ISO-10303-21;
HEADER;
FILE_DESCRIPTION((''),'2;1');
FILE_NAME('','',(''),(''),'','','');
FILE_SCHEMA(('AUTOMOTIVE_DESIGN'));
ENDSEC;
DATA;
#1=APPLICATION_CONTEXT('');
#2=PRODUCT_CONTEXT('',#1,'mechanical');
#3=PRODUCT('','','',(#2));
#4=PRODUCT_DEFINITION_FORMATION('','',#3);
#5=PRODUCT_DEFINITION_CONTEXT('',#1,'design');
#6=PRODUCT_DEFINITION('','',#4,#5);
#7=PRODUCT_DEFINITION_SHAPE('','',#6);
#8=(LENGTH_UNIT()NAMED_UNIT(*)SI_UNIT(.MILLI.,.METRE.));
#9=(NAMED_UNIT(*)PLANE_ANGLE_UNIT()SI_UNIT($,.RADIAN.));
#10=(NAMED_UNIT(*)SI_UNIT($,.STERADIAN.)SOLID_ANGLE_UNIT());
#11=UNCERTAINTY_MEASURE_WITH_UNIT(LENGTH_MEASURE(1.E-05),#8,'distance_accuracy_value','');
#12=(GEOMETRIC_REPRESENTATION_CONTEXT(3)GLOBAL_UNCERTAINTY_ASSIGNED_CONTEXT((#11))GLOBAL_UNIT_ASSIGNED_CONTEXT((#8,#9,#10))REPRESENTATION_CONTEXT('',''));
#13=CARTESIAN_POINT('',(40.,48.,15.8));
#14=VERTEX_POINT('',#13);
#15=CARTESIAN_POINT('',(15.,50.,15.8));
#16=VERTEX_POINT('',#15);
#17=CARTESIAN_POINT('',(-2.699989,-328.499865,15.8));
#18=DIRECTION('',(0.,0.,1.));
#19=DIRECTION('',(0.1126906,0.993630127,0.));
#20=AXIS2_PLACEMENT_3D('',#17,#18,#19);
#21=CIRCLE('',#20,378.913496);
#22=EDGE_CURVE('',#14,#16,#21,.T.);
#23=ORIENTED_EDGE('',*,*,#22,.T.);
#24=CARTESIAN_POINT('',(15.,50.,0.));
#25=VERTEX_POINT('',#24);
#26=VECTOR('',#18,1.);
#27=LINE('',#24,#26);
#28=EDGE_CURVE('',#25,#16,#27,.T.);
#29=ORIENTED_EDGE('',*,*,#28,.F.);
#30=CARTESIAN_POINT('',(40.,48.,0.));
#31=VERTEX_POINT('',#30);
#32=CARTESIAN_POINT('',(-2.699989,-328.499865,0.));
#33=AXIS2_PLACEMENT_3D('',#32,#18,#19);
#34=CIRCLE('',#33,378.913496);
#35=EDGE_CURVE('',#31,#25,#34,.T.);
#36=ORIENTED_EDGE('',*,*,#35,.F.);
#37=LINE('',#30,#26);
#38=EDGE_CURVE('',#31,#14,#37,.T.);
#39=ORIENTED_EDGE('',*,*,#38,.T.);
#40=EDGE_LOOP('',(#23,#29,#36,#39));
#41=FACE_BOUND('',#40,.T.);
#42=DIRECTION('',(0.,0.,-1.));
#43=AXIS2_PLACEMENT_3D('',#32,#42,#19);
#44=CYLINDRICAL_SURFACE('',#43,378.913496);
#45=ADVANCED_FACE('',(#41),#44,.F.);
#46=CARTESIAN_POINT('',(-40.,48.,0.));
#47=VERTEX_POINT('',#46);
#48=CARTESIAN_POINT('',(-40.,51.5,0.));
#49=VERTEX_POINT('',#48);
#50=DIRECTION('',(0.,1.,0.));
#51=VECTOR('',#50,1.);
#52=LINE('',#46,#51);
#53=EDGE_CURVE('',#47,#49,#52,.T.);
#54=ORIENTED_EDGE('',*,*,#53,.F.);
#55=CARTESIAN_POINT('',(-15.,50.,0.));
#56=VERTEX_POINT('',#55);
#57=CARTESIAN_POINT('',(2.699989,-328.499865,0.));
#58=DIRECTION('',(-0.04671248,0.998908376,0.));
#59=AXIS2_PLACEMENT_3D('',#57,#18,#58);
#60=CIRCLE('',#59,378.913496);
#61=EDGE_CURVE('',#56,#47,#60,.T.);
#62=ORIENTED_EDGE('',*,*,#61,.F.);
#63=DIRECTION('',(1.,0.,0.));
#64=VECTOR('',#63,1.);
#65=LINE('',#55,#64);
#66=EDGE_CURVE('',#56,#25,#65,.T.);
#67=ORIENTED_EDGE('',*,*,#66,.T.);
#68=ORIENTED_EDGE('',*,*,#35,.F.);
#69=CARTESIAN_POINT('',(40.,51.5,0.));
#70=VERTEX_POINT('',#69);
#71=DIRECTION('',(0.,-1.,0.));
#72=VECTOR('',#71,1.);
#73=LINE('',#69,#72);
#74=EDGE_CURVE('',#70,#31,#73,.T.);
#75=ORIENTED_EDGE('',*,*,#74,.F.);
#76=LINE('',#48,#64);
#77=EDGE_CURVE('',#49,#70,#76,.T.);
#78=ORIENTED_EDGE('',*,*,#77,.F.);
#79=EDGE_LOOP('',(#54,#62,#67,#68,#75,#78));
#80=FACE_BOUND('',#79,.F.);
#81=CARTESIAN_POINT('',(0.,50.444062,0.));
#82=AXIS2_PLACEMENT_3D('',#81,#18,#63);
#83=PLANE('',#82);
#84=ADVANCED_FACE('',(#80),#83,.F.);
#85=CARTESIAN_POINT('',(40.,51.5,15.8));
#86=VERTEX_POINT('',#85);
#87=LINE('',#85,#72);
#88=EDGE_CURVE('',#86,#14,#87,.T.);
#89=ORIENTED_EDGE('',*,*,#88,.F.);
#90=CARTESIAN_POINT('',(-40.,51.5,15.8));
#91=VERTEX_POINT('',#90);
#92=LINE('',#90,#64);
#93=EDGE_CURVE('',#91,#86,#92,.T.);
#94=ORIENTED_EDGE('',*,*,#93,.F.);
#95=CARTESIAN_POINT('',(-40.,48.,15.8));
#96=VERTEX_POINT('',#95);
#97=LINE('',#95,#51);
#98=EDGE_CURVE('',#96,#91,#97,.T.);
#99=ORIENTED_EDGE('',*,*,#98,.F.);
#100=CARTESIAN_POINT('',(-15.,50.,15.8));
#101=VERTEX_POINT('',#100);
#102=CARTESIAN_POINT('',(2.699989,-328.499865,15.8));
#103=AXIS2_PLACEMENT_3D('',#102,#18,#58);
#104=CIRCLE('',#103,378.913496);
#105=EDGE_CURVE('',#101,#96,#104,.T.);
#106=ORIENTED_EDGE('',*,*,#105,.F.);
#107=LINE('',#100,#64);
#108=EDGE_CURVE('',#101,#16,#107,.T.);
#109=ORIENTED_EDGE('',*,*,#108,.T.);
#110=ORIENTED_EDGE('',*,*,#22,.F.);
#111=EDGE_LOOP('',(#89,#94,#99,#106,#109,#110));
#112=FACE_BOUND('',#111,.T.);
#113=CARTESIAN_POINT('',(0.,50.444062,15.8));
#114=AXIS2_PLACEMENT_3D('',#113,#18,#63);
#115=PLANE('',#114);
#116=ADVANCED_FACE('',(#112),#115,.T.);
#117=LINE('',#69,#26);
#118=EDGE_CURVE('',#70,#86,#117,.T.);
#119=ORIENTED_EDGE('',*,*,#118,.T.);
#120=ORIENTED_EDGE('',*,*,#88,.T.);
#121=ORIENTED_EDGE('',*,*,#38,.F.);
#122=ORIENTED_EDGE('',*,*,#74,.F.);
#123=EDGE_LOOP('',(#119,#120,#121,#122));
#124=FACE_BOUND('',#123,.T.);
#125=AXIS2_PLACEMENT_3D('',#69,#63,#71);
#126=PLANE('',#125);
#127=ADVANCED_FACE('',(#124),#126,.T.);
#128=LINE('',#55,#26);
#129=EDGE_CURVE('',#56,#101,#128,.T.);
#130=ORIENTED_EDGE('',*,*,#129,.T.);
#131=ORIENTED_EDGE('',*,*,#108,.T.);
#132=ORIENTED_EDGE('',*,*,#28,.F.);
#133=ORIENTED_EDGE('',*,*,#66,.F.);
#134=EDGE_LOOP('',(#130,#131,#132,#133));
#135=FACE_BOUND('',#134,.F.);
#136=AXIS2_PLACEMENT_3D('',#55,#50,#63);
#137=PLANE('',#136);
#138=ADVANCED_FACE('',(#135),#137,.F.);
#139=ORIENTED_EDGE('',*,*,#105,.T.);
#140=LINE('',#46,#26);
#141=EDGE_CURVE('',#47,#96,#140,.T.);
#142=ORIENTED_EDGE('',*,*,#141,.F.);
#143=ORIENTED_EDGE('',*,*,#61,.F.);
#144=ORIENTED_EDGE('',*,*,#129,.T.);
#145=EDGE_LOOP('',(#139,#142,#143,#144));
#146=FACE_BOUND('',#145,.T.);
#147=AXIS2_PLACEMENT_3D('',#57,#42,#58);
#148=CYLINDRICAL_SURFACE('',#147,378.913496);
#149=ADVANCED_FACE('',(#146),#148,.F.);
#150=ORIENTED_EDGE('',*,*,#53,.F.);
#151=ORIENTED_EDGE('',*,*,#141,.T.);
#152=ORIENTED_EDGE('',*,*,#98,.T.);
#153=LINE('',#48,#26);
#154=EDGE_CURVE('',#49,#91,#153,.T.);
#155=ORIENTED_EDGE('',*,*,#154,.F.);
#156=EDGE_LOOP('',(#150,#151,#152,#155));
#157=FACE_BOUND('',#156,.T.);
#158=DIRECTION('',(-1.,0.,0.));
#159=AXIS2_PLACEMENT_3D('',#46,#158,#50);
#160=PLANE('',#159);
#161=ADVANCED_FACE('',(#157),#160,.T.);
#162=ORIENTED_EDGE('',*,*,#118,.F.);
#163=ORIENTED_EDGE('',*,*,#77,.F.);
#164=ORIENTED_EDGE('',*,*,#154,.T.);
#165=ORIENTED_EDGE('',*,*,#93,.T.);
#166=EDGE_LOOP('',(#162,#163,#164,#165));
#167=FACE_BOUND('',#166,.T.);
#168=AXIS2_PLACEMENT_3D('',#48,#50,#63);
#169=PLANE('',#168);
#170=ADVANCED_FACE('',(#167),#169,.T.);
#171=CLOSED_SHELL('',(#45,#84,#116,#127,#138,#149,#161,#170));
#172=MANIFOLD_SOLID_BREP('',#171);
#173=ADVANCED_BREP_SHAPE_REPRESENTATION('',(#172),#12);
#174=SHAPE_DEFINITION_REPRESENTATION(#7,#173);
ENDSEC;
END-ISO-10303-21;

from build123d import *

# Parameters (mm, degrees)
PAD_DEPTH = 15.8


with BuildPart() as part:
    # Sketch → Pad (new body)
    with BuildSketch(Plane.XY):
        with BuildLine():
            Line((-15, 50), (15, 50))
            ThreePointArc((40, 48), (27.516552, 49.206897), (15, 50))
            Line((40, 51.5), (40, 48))
            Line((-40, 51.5), (40, 51.5))
            Line((-40, 48), (-40, 51.5))
            ThreePointArc((-15, 50), (-27.516552, 49.206897), (-40, 48))
        make_face()
    extrude(amount=PAD_DEPTH)


solid = part.part
